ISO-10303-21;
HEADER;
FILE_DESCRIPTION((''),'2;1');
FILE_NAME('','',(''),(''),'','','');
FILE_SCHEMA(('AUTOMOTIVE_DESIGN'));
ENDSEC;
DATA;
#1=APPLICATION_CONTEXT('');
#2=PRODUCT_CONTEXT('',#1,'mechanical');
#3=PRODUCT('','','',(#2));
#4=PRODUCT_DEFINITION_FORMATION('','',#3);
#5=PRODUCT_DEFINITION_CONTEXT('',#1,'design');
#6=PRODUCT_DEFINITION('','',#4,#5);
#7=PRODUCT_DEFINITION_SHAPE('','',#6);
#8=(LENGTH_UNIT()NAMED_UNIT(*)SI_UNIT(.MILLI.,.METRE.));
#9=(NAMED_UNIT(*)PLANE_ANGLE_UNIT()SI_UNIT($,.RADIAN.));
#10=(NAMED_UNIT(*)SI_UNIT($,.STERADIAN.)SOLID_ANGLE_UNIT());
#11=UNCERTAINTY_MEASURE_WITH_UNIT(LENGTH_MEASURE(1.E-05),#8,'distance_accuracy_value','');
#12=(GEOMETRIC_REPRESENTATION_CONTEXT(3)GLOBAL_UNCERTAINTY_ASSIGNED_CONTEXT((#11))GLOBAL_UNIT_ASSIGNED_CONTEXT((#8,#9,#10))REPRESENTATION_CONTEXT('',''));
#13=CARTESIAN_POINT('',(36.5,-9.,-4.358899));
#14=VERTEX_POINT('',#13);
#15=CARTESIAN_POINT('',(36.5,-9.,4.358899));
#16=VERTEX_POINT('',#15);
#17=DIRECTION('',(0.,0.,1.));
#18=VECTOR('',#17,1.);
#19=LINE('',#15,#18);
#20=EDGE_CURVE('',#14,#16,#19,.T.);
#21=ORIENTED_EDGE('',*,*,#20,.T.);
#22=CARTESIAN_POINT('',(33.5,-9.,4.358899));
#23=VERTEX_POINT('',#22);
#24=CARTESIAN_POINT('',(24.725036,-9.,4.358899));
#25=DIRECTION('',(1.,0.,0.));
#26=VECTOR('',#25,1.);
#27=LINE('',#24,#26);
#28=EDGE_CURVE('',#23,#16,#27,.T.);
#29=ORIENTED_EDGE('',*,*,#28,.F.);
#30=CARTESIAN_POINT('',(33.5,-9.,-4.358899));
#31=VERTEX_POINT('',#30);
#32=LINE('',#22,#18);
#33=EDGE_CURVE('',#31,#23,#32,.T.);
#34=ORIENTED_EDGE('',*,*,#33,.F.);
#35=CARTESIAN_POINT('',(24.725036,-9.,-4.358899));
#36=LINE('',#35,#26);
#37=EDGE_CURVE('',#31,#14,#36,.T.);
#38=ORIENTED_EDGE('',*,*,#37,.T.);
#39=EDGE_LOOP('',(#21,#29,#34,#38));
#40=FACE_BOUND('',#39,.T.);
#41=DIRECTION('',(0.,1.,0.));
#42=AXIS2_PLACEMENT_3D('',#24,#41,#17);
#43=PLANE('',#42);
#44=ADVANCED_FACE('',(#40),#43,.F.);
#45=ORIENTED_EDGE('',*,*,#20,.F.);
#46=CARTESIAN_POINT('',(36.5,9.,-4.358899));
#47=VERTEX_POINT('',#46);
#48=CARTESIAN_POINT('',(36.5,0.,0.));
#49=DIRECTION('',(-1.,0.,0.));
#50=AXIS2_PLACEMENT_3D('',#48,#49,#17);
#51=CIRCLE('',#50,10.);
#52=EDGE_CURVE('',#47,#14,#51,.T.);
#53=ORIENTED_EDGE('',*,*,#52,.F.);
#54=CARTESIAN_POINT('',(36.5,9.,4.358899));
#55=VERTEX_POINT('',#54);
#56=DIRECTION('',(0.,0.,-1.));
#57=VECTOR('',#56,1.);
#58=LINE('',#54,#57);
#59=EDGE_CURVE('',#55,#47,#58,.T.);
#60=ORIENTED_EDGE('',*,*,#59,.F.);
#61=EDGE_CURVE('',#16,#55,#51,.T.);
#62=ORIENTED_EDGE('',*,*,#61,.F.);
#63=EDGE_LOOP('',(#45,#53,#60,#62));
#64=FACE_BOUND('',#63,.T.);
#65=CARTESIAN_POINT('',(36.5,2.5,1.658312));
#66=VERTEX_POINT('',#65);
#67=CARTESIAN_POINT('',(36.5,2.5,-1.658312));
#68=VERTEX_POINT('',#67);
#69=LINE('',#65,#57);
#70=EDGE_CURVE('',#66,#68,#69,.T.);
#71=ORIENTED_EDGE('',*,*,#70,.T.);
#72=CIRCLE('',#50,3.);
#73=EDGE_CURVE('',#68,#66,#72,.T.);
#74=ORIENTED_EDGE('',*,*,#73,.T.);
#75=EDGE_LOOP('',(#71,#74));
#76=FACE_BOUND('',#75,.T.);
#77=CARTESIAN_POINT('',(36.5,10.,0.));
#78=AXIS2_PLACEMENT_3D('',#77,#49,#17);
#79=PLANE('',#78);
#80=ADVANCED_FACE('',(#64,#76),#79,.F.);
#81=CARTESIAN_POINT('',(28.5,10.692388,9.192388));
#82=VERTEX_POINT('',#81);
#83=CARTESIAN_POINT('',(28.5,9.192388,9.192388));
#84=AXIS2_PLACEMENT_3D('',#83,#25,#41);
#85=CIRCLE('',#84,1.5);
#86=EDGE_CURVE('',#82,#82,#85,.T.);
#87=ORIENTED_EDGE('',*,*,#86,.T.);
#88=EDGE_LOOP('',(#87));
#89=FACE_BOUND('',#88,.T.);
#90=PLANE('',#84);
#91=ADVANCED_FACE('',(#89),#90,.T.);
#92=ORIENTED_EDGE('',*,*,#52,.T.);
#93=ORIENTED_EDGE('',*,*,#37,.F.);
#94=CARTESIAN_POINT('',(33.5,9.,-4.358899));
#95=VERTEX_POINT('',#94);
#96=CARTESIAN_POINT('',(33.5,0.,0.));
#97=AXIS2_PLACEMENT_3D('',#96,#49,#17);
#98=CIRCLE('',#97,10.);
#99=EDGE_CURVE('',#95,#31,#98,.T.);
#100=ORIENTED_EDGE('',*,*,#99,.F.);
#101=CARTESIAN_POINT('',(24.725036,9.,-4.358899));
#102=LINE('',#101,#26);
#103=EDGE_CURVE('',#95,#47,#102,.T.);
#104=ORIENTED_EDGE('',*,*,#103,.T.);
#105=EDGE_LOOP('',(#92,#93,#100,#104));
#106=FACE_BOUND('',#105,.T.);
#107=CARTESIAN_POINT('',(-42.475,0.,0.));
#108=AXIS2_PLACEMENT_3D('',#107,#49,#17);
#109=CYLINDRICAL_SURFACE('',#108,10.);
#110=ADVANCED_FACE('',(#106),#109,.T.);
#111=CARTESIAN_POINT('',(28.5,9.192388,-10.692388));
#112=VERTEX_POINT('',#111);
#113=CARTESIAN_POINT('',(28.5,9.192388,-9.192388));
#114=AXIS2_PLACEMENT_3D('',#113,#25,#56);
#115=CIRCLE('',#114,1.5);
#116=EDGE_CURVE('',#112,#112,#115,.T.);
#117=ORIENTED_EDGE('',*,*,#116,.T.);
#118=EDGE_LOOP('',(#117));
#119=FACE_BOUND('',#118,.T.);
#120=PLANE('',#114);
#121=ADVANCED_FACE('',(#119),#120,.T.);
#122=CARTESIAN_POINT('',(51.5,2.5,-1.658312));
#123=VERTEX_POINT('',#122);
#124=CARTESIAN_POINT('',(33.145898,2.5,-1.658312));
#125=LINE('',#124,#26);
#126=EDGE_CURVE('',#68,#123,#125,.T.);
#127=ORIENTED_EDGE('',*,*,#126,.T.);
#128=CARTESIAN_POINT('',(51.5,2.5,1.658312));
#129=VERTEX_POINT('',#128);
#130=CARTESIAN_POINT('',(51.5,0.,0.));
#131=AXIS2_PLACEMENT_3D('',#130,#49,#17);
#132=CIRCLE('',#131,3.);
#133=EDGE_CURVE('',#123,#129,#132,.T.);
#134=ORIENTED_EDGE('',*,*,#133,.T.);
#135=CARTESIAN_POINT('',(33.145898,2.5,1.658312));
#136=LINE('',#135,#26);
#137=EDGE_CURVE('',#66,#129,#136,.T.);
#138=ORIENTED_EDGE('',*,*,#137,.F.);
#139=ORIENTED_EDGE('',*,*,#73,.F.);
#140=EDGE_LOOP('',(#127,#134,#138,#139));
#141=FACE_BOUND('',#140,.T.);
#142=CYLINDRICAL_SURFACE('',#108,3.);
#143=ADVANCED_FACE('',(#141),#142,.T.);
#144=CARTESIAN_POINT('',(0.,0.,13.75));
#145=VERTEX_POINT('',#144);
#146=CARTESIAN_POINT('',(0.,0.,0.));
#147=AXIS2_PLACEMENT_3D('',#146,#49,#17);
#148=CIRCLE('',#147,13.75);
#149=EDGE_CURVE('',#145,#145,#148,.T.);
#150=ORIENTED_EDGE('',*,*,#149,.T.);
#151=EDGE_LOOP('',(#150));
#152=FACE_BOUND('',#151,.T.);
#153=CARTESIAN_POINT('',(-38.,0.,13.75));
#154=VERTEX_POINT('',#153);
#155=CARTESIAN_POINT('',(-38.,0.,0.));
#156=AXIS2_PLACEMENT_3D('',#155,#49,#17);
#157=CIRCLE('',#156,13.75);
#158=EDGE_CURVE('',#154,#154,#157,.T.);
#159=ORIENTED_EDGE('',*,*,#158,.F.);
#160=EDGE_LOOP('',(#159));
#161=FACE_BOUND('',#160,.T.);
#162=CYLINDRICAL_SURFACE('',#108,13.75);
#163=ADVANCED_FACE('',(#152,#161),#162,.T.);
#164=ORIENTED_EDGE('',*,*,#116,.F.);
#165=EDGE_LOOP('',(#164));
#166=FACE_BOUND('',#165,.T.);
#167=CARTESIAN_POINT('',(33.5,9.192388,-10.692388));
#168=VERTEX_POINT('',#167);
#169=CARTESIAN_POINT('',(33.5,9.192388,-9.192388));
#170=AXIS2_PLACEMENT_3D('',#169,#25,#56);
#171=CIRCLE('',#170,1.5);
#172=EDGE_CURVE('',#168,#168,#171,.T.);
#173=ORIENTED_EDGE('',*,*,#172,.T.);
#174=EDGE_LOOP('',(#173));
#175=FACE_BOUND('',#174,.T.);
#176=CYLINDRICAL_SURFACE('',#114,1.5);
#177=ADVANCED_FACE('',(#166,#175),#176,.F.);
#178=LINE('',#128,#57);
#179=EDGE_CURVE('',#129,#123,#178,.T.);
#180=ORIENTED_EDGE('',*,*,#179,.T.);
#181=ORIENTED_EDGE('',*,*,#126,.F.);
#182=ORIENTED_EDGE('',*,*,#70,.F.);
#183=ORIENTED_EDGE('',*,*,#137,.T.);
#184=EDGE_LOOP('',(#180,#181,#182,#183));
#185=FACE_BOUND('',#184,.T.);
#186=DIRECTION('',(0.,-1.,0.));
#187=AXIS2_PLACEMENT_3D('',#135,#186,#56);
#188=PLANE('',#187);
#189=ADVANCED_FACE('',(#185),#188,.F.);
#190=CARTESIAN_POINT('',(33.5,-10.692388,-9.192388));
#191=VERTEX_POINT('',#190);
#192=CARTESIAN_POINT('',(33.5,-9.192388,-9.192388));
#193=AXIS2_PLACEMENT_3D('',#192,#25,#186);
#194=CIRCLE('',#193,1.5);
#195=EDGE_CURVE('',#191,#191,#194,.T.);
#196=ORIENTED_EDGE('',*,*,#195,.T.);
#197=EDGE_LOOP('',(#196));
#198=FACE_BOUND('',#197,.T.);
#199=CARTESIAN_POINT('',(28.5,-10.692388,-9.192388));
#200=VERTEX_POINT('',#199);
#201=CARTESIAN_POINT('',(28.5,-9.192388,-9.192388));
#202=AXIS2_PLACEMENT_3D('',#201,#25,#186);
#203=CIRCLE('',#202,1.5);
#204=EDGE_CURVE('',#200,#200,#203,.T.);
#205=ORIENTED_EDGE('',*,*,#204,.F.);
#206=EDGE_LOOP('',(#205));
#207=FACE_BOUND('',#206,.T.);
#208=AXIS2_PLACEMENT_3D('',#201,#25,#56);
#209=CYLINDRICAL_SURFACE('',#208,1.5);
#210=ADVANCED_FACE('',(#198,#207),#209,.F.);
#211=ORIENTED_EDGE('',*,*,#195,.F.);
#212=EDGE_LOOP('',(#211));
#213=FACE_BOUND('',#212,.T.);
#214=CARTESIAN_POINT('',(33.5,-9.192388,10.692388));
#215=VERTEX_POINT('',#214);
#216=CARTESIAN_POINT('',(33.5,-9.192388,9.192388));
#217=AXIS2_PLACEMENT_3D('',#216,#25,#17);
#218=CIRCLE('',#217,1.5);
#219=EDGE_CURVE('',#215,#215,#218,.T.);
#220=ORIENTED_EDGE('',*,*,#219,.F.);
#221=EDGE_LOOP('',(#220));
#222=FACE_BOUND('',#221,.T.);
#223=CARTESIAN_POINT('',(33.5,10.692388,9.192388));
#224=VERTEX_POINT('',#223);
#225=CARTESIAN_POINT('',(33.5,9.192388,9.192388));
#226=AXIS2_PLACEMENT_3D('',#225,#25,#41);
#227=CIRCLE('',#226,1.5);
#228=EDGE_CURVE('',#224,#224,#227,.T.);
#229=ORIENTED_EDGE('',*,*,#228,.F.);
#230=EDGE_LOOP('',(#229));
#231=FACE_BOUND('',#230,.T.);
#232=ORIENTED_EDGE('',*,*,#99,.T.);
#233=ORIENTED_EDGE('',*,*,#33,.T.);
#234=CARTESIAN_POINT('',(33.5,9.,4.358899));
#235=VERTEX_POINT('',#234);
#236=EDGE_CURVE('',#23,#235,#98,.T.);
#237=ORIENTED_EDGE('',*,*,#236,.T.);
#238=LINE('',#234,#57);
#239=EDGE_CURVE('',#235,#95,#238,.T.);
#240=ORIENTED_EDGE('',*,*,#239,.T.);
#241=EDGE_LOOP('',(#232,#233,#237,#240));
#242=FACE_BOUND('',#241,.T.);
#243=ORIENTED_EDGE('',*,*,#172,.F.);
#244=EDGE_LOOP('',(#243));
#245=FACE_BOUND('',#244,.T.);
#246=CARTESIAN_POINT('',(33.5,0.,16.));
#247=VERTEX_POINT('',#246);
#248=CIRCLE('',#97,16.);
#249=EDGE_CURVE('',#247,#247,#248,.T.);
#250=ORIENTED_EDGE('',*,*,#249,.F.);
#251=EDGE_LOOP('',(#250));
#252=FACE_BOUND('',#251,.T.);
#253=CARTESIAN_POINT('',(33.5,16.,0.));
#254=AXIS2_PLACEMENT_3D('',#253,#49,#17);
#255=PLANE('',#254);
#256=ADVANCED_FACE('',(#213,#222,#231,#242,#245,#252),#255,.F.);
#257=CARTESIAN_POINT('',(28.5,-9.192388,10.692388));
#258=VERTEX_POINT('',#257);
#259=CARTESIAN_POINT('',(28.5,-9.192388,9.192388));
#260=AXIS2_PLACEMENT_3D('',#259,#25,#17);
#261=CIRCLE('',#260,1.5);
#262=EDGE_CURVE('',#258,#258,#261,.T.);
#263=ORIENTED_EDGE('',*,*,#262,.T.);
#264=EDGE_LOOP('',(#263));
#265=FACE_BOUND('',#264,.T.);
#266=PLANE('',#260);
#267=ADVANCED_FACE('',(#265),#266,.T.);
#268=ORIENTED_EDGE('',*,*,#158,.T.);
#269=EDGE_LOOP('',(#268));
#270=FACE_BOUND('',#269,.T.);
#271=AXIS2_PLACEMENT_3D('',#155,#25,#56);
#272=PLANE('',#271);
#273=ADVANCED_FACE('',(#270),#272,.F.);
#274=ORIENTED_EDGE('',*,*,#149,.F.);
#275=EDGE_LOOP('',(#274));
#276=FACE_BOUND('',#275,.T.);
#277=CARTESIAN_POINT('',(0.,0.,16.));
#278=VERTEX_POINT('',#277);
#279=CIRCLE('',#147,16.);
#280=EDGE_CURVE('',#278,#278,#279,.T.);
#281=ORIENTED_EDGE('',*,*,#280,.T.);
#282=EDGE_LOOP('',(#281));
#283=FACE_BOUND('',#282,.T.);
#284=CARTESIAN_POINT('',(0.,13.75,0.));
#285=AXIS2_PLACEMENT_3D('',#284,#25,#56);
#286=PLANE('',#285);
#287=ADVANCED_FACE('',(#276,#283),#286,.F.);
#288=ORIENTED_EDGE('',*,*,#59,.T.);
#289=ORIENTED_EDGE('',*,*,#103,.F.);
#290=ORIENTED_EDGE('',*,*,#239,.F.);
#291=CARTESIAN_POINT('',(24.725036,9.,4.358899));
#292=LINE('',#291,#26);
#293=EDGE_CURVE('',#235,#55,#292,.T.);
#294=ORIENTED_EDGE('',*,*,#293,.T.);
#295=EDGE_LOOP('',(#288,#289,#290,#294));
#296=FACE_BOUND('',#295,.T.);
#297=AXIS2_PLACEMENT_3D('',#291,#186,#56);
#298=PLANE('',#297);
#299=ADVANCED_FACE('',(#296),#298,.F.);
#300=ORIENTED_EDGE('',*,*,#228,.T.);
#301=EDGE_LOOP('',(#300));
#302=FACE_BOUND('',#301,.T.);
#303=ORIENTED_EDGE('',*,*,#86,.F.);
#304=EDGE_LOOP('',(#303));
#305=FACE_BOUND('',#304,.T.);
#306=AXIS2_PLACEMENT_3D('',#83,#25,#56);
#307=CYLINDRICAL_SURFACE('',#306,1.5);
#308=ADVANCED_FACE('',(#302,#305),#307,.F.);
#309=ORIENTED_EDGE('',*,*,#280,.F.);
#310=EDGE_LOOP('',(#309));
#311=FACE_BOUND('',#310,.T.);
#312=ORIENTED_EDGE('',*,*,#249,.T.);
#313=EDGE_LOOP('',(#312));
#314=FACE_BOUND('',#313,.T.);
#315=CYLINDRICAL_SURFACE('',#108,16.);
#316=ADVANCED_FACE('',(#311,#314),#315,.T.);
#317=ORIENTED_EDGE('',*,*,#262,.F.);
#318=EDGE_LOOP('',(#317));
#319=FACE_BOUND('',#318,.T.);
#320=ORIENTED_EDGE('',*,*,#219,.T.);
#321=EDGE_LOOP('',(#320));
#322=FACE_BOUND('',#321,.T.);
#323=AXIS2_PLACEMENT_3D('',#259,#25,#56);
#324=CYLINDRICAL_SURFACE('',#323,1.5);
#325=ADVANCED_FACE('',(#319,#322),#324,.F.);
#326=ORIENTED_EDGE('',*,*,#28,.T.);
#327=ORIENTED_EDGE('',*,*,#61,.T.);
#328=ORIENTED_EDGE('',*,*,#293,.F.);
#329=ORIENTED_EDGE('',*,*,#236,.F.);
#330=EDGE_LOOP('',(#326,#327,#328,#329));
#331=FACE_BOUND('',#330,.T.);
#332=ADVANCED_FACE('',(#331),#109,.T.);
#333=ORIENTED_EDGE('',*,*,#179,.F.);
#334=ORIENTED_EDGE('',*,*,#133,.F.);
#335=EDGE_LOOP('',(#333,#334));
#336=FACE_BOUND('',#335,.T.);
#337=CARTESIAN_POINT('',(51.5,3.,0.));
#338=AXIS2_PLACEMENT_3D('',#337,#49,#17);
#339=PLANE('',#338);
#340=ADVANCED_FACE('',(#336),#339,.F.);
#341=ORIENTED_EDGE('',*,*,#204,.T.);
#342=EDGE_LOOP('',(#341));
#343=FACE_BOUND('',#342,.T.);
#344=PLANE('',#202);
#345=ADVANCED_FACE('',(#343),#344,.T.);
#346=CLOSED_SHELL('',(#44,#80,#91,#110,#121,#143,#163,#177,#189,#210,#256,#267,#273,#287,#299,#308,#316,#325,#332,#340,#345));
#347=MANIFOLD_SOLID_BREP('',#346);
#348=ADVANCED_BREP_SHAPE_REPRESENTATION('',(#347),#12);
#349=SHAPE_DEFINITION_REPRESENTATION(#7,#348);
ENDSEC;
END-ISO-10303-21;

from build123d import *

# Parameters (mm, degrees)
MEPLATFIXING_DEPTH                 = 3
MEPLATROTOR_DEPTH                  = 15
ESQUISSE4_R                        = 1.5
FIXINGHOLE_DEPTH                   = 5
FIXINGHOLECIRCULARREPETITION_COUNT = 4


with BuildPart() as part:
    # Esquisse1 → Révolution1 (revolve)
    with BuildSketch(Plane.XY):
        Polygon((-38, 13.75), (0, 13.75), (0, 16), (33.5, 16), (33.5, 10), (36.5, 10), (36.5, 3), (51.5, 3), (51.5, 0), (-38, 0), align=None)
    revolve(axis=Axis((-42.475, 0, 0), (1, 0, 0)))

    # Esquisse2 → MeplatFixing (cut)
    with BuildSketch(Plane(origin=(36.5, 0, 0), x_dir=(0, 0, -1), z_dir=(1, 0, 0))):
        with BuildLine():
            Line((-4.358898944, 9), (4.358898944, 9))
            ThreePointArc((4.358898944, 9), (0, 10), (-4.358898944, 9))
        make_face()
        with BuildLine():
            Line((-4.358898944, -9), (4.358898944, -9))
            ThreePointArc((4.358898944, -9), (0, -10), (-4.358898944, -9))
        make_face()
    extrude(amount=-MEPLATFIXING_DEPTH, mode=Mode.SUBTRACT)

    # Esquisse3 → MeplatRotor (cut)
    with BuildSketch(Plane(origin=(51.5, 0, 0), x_dir=(0, 0, -1), z_dir=(1, 0, 0))):
        with BuildLine():
            Line((-1.658312395, 2.5), (1.658312395, 2.5))
            ThreePointArc((1.658312395, 2.5), (0, 3), (-1.658312395, 2.5))
        make_face()
    extrude(amount=-MEPLATROTOR_DEPTH, mode=Mode.SUBTRACT)

    # Esquisse4 → FixingHole (cut)
    with BuildSketch(Plane(origin=(33.5, 0, 0), x_dir=(0, 0, -1), z_dir=(1, 0, 0))):
        with Locations((9.192388155, 9.192388155)):
            Circle(ESQUISSE4_R)
    fixinghole = extrude(amount=-FIXINGHOLE_DEPTH, mode=Mode.SUBTRACT)

    # FixingHoleCircularRepetition: FixingHole ×4 about axis
    fixingholecircularrepetition_axis = Axis((0, 0, 0), (1, 0, 0))
    for i in range(1, FIXINGHOLECIRCULARREPETITION_COUNT):
        add(fixinghole.rotate(fixingholecircularrepetition_axis, i * 360 / FIXINGHOLECIRCULARREPETITION_COUNT), mode=Mode.SUBTRACT)


solid = part.part
